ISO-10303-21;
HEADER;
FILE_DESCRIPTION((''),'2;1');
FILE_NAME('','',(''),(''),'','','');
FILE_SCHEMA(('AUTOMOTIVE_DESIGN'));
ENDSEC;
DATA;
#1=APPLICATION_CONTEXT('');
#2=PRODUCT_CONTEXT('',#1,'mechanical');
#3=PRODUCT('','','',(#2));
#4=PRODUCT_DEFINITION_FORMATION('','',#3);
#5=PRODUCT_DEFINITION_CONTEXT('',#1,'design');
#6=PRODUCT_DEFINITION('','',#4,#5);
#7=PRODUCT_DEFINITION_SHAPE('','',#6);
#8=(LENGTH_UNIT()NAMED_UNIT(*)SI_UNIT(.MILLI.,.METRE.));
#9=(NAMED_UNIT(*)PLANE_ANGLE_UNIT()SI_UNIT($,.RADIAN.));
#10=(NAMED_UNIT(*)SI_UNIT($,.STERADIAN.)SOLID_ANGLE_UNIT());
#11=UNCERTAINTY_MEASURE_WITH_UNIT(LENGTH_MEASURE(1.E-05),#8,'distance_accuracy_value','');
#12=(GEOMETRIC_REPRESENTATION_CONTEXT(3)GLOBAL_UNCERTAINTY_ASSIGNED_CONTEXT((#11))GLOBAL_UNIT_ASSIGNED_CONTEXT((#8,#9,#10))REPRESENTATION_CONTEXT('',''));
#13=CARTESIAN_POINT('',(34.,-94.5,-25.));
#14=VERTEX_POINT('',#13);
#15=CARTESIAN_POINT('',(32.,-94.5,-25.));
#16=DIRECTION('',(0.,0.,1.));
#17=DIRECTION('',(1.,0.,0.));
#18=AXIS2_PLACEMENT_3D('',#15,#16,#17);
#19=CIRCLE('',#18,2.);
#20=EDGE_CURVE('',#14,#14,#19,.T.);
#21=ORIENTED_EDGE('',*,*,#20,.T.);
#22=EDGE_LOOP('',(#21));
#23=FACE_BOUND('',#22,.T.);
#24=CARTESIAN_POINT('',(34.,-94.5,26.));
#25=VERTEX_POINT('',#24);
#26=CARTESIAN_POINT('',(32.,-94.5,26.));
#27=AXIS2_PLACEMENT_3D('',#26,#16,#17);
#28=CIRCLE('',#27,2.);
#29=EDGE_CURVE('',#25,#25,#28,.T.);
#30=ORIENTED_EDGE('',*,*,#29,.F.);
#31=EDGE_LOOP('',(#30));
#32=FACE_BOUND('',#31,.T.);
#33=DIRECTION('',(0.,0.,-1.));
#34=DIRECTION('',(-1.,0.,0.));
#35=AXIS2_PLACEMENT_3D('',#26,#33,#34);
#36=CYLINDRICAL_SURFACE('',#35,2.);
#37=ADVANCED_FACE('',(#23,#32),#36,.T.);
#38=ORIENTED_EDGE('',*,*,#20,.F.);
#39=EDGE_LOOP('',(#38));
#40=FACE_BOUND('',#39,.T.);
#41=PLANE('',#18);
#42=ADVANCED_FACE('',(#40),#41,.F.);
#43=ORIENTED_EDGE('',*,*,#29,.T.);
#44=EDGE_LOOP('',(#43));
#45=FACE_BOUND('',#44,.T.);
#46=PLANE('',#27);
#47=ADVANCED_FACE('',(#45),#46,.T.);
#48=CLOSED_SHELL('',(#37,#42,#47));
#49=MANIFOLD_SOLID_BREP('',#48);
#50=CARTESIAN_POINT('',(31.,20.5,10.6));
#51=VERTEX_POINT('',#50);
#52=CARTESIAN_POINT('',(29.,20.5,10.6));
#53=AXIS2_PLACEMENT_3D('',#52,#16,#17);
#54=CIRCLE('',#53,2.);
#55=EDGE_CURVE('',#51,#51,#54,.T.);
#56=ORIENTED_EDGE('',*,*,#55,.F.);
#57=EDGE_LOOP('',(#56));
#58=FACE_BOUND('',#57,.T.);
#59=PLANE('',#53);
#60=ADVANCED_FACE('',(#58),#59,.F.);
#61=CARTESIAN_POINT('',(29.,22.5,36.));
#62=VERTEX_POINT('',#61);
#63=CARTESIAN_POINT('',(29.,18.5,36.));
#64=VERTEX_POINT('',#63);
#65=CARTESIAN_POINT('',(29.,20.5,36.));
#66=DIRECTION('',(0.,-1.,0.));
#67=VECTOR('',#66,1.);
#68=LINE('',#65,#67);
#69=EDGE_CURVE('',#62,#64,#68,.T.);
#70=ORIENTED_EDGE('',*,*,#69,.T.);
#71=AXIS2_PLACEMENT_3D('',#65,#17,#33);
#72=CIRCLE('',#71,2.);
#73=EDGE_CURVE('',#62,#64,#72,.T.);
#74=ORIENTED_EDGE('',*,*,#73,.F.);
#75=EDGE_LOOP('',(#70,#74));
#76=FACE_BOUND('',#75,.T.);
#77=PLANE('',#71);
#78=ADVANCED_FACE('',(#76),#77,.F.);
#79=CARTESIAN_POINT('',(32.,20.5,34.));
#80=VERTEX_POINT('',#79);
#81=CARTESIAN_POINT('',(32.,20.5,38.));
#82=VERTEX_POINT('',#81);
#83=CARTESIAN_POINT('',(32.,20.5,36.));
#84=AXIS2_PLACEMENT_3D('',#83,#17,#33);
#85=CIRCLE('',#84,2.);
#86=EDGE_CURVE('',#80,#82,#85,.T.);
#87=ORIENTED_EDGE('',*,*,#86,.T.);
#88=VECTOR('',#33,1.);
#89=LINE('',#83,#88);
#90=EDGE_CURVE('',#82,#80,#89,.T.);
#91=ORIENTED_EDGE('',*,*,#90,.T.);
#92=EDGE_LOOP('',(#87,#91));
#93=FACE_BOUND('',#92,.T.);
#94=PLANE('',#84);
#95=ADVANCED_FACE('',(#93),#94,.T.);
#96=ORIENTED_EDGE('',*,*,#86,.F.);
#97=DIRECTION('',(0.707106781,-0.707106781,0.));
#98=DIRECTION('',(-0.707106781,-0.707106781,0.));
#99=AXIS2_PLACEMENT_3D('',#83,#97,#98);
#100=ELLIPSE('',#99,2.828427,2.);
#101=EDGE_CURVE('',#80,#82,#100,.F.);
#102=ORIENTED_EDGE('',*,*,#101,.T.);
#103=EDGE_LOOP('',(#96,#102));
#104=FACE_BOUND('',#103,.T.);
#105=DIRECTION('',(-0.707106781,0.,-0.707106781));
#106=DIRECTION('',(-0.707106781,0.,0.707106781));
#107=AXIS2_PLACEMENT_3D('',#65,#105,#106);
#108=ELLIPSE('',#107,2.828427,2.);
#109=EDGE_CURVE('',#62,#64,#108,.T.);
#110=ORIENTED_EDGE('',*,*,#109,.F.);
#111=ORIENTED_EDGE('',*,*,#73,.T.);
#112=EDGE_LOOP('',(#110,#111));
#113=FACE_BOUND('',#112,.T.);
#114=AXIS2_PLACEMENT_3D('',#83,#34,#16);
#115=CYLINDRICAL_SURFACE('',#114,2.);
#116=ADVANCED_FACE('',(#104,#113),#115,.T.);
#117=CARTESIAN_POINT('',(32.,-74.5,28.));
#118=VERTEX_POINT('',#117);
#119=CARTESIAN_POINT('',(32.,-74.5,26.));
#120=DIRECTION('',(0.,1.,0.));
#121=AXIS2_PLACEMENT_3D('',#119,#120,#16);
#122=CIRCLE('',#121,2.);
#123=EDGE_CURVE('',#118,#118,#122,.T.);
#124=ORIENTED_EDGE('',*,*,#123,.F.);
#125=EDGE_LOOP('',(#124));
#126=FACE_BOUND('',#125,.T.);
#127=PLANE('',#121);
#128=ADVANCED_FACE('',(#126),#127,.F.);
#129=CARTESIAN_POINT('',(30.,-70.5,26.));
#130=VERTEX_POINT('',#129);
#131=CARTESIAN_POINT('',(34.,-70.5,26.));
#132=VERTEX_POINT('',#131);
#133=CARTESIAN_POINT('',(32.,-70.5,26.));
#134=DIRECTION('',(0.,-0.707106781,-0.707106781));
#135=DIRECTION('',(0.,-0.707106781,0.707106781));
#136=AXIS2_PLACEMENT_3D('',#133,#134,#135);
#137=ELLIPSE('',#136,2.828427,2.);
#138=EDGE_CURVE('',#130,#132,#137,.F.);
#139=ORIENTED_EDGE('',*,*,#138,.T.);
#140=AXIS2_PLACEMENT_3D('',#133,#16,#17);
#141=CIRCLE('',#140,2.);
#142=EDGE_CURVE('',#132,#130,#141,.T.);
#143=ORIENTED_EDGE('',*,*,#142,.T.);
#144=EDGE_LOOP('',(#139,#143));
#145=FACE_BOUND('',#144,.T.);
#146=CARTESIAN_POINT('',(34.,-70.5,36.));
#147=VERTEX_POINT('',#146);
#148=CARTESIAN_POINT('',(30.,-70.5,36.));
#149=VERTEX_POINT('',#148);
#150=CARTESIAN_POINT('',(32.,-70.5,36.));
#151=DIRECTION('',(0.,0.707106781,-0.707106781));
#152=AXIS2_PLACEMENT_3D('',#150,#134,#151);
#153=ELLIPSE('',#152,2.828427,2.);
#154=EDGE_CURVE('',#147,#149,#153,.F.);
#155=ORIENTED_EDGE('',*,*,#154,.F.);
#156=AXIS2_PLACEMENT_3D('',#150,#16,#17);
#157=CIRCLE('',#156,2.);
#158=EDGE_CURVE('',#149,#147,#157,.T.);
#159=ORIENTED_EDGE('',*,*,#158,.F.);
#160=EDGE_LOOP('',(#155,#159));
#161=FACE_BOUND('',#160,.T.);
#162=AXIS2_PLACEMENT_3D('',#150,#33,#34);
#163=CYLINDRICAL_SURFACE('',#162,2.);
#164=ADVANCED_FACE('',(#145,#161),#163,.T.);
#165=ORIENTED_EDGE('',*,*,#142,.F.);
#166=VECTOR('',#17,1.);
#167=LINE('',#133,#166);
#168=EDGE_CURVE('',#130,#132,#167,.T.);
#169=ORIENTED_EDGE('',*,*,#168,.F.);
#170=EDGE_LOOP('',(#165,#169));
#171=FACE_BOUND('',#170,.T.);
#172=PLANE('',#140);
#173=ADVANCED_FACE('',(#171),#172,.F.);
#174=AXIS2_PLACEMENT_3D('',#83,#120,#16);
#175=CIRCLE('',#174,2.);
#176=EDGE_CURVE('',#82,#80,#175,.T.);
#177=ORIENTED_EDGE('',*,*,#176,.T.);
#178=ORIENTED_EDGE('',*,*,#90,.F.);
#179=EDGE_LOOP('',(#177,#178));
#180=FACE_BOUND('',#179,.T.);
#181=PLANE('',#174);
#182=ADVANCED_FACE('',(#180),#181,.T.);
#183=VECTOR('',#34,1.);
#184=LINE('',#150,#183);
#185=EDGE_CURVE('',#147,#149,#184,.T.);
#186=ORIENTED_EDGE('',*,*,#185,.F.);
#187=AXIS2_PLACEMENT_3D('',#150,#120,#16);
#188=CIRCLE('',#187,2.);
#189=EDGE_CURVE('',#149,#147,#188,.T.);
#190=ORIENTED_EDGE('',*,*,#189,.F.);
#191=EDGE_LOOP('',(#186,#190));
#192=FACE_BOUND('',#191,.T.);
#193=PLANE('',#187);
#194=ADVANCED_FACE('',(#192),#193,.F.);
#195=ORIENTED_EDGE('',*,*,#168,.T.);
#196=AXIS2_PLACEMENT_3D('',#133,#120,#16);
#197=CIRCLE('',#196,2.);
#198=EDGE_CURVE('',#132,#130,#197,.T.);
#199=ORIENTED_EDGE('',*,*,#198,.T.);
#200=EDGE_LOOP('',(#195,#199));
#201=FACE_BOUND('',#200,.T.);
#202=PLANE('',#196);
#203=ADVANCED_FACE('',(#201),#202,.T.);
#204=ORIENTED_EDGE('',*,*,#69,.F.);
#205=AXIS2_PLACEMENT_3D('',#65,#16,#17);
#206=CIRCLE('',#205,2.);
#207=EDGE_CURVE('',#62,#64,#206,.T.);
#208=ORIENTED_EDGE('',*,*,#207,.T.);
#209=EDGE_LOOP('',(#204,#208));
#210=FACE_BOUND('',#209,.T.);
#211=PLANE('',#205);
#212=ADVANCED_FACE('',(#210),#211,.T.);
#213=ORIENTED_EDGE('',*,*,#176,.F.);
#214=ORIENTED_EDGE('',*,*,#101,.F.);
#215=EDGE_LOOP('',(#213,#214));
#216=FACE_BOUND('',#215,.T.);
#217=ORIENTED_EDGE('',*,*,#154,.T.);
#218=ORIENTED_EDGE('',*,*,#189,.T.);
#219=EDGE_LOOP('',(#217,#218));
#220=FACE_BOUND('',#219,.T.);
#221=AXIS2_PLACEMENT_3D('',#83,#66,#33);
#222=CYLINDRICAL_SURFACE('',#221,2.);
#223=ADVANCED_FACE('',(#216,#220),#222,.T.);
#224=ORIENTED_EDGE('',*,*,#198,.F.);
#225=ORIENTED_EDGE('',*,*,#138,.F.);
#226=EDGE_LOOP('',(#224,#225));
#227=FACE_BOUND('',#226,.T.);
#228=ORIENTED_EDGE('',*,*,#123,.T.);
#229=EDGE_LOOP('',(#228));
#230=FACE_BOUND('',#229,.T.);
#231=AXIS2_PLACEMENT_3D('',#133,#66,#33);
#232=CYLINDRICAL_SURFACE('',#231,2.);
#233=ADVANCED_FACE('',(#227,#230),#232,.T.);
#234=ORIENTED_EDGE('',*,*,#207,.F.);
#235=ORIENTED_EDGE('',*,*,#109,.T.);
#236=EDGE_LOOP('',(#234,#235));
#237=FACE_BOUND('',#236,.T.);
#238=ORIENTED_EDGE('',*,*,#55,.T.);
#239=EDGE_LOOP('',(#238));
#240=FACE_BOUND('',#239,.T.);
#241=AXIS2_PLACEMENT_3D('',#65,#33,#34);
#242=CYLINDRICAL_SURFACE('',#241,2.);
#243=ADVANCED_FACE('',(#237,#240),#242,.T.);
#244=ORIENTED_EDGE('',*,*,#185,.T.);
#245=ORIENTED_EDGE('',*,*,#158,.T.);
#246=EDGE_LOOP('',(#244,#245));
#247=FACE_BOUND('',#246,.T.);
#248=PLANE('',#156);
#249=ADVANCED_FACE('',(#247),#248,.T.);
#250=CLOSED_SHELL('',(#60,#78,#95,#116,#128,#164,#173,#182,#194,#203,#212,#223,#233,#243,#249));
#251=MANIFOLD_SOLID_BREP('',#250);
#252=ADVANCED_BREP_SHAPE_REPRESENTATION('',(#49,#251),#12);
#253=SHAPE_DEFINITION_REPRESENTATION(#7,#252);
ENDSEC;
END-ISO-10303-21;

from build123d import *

# Parameters (mm, degrees)
SKETCH2_R           = 2
BOSS_EXTRUDE1_DEPTH = 51
SKETCH3_R           = 2
BOSS_EXTRUDE2_DEPTH = 4
SKETCH4_R           = 2
BOSS_EXTRUDE3_DEPTH = 10
SKETCH5_R           = 2
BOSS_EXTRUDE4_DEPTH = 91
SKETCH6_R           = 2
BOSS_EXTRUDE5_DEPTH = 3
SKETCH7_R           = 2
BOSS_EXTRUDE6_DEPTH = 25.4


with BuildPart() as part:
    # Sketch2 → Boss-Extrude1 (new body)
    with BuildSketch(Plane.XY.offset(-25)):
        with Locations((32, -94.5)):
            Circle(SKETCH2_R)
    extrude(amount=BOSS_EXTRUDE1_DEPTH)


with BuildPart() as body_2:
    # Sketch3 → Boss-Extrude2 (new body)
    with BuildSketch(Plane(origin=(0, -74.5, 0), x_dir=(1, 0, 0), z_dir=(0, 1, 0))):
        with Locations(Location((32, -26, 0), (0, 0, 270))):
            Circle(SKETCH3_R)
    extrude(amount=BOSS_EXTRUDE2_DEPTH)

    # Sketch4 → Boss-Extrude3 (add)
    with BuildSketch(Plane.XY.offset(26)):
        with Locations((32, -70.5)):
            Circle(SKETCH4_R)
    extrude(amount=BOSS_EXTRUDE3_DEPTH)

    # Sketch5 → Boss-Extrude4 (add)
    with BuildSketch(Plane(origin=(0, -70.5, 0), x_dir=(1, 0, 0), z_dir=(0, 1, 0))):
        with Locations((32, -36)):
            Circle(SKETCH5_R)
    extrude(amount=BOSS_EXTRUDE4_DEPTH)

    # Sketch6 → Boss-Extrude5 (add)
    with BuildSketch(Plane(origin=(29, 0, 0), x_dir=(0, 0, -1), z_dir=(1, 0, 0))):
        with Locations((-36, 20.5)):
            Circle(SKETCH6_R)
    extrude(amount=BOSS_EXTRUDE5_DEPTH)

    # Sketch7 → Boss-Extrude6 (add)
    with BuildSketch(Plane.XY.offset(10.6)):
        with Locations(Location((29, 20.5, 0), (0, 0, 90))):
            Circle(SKETCH7_R)
    extrude(amount=BOSS_EXTRUDE6_DEPTH)


solid = Compound([part.part, body_2.part])
